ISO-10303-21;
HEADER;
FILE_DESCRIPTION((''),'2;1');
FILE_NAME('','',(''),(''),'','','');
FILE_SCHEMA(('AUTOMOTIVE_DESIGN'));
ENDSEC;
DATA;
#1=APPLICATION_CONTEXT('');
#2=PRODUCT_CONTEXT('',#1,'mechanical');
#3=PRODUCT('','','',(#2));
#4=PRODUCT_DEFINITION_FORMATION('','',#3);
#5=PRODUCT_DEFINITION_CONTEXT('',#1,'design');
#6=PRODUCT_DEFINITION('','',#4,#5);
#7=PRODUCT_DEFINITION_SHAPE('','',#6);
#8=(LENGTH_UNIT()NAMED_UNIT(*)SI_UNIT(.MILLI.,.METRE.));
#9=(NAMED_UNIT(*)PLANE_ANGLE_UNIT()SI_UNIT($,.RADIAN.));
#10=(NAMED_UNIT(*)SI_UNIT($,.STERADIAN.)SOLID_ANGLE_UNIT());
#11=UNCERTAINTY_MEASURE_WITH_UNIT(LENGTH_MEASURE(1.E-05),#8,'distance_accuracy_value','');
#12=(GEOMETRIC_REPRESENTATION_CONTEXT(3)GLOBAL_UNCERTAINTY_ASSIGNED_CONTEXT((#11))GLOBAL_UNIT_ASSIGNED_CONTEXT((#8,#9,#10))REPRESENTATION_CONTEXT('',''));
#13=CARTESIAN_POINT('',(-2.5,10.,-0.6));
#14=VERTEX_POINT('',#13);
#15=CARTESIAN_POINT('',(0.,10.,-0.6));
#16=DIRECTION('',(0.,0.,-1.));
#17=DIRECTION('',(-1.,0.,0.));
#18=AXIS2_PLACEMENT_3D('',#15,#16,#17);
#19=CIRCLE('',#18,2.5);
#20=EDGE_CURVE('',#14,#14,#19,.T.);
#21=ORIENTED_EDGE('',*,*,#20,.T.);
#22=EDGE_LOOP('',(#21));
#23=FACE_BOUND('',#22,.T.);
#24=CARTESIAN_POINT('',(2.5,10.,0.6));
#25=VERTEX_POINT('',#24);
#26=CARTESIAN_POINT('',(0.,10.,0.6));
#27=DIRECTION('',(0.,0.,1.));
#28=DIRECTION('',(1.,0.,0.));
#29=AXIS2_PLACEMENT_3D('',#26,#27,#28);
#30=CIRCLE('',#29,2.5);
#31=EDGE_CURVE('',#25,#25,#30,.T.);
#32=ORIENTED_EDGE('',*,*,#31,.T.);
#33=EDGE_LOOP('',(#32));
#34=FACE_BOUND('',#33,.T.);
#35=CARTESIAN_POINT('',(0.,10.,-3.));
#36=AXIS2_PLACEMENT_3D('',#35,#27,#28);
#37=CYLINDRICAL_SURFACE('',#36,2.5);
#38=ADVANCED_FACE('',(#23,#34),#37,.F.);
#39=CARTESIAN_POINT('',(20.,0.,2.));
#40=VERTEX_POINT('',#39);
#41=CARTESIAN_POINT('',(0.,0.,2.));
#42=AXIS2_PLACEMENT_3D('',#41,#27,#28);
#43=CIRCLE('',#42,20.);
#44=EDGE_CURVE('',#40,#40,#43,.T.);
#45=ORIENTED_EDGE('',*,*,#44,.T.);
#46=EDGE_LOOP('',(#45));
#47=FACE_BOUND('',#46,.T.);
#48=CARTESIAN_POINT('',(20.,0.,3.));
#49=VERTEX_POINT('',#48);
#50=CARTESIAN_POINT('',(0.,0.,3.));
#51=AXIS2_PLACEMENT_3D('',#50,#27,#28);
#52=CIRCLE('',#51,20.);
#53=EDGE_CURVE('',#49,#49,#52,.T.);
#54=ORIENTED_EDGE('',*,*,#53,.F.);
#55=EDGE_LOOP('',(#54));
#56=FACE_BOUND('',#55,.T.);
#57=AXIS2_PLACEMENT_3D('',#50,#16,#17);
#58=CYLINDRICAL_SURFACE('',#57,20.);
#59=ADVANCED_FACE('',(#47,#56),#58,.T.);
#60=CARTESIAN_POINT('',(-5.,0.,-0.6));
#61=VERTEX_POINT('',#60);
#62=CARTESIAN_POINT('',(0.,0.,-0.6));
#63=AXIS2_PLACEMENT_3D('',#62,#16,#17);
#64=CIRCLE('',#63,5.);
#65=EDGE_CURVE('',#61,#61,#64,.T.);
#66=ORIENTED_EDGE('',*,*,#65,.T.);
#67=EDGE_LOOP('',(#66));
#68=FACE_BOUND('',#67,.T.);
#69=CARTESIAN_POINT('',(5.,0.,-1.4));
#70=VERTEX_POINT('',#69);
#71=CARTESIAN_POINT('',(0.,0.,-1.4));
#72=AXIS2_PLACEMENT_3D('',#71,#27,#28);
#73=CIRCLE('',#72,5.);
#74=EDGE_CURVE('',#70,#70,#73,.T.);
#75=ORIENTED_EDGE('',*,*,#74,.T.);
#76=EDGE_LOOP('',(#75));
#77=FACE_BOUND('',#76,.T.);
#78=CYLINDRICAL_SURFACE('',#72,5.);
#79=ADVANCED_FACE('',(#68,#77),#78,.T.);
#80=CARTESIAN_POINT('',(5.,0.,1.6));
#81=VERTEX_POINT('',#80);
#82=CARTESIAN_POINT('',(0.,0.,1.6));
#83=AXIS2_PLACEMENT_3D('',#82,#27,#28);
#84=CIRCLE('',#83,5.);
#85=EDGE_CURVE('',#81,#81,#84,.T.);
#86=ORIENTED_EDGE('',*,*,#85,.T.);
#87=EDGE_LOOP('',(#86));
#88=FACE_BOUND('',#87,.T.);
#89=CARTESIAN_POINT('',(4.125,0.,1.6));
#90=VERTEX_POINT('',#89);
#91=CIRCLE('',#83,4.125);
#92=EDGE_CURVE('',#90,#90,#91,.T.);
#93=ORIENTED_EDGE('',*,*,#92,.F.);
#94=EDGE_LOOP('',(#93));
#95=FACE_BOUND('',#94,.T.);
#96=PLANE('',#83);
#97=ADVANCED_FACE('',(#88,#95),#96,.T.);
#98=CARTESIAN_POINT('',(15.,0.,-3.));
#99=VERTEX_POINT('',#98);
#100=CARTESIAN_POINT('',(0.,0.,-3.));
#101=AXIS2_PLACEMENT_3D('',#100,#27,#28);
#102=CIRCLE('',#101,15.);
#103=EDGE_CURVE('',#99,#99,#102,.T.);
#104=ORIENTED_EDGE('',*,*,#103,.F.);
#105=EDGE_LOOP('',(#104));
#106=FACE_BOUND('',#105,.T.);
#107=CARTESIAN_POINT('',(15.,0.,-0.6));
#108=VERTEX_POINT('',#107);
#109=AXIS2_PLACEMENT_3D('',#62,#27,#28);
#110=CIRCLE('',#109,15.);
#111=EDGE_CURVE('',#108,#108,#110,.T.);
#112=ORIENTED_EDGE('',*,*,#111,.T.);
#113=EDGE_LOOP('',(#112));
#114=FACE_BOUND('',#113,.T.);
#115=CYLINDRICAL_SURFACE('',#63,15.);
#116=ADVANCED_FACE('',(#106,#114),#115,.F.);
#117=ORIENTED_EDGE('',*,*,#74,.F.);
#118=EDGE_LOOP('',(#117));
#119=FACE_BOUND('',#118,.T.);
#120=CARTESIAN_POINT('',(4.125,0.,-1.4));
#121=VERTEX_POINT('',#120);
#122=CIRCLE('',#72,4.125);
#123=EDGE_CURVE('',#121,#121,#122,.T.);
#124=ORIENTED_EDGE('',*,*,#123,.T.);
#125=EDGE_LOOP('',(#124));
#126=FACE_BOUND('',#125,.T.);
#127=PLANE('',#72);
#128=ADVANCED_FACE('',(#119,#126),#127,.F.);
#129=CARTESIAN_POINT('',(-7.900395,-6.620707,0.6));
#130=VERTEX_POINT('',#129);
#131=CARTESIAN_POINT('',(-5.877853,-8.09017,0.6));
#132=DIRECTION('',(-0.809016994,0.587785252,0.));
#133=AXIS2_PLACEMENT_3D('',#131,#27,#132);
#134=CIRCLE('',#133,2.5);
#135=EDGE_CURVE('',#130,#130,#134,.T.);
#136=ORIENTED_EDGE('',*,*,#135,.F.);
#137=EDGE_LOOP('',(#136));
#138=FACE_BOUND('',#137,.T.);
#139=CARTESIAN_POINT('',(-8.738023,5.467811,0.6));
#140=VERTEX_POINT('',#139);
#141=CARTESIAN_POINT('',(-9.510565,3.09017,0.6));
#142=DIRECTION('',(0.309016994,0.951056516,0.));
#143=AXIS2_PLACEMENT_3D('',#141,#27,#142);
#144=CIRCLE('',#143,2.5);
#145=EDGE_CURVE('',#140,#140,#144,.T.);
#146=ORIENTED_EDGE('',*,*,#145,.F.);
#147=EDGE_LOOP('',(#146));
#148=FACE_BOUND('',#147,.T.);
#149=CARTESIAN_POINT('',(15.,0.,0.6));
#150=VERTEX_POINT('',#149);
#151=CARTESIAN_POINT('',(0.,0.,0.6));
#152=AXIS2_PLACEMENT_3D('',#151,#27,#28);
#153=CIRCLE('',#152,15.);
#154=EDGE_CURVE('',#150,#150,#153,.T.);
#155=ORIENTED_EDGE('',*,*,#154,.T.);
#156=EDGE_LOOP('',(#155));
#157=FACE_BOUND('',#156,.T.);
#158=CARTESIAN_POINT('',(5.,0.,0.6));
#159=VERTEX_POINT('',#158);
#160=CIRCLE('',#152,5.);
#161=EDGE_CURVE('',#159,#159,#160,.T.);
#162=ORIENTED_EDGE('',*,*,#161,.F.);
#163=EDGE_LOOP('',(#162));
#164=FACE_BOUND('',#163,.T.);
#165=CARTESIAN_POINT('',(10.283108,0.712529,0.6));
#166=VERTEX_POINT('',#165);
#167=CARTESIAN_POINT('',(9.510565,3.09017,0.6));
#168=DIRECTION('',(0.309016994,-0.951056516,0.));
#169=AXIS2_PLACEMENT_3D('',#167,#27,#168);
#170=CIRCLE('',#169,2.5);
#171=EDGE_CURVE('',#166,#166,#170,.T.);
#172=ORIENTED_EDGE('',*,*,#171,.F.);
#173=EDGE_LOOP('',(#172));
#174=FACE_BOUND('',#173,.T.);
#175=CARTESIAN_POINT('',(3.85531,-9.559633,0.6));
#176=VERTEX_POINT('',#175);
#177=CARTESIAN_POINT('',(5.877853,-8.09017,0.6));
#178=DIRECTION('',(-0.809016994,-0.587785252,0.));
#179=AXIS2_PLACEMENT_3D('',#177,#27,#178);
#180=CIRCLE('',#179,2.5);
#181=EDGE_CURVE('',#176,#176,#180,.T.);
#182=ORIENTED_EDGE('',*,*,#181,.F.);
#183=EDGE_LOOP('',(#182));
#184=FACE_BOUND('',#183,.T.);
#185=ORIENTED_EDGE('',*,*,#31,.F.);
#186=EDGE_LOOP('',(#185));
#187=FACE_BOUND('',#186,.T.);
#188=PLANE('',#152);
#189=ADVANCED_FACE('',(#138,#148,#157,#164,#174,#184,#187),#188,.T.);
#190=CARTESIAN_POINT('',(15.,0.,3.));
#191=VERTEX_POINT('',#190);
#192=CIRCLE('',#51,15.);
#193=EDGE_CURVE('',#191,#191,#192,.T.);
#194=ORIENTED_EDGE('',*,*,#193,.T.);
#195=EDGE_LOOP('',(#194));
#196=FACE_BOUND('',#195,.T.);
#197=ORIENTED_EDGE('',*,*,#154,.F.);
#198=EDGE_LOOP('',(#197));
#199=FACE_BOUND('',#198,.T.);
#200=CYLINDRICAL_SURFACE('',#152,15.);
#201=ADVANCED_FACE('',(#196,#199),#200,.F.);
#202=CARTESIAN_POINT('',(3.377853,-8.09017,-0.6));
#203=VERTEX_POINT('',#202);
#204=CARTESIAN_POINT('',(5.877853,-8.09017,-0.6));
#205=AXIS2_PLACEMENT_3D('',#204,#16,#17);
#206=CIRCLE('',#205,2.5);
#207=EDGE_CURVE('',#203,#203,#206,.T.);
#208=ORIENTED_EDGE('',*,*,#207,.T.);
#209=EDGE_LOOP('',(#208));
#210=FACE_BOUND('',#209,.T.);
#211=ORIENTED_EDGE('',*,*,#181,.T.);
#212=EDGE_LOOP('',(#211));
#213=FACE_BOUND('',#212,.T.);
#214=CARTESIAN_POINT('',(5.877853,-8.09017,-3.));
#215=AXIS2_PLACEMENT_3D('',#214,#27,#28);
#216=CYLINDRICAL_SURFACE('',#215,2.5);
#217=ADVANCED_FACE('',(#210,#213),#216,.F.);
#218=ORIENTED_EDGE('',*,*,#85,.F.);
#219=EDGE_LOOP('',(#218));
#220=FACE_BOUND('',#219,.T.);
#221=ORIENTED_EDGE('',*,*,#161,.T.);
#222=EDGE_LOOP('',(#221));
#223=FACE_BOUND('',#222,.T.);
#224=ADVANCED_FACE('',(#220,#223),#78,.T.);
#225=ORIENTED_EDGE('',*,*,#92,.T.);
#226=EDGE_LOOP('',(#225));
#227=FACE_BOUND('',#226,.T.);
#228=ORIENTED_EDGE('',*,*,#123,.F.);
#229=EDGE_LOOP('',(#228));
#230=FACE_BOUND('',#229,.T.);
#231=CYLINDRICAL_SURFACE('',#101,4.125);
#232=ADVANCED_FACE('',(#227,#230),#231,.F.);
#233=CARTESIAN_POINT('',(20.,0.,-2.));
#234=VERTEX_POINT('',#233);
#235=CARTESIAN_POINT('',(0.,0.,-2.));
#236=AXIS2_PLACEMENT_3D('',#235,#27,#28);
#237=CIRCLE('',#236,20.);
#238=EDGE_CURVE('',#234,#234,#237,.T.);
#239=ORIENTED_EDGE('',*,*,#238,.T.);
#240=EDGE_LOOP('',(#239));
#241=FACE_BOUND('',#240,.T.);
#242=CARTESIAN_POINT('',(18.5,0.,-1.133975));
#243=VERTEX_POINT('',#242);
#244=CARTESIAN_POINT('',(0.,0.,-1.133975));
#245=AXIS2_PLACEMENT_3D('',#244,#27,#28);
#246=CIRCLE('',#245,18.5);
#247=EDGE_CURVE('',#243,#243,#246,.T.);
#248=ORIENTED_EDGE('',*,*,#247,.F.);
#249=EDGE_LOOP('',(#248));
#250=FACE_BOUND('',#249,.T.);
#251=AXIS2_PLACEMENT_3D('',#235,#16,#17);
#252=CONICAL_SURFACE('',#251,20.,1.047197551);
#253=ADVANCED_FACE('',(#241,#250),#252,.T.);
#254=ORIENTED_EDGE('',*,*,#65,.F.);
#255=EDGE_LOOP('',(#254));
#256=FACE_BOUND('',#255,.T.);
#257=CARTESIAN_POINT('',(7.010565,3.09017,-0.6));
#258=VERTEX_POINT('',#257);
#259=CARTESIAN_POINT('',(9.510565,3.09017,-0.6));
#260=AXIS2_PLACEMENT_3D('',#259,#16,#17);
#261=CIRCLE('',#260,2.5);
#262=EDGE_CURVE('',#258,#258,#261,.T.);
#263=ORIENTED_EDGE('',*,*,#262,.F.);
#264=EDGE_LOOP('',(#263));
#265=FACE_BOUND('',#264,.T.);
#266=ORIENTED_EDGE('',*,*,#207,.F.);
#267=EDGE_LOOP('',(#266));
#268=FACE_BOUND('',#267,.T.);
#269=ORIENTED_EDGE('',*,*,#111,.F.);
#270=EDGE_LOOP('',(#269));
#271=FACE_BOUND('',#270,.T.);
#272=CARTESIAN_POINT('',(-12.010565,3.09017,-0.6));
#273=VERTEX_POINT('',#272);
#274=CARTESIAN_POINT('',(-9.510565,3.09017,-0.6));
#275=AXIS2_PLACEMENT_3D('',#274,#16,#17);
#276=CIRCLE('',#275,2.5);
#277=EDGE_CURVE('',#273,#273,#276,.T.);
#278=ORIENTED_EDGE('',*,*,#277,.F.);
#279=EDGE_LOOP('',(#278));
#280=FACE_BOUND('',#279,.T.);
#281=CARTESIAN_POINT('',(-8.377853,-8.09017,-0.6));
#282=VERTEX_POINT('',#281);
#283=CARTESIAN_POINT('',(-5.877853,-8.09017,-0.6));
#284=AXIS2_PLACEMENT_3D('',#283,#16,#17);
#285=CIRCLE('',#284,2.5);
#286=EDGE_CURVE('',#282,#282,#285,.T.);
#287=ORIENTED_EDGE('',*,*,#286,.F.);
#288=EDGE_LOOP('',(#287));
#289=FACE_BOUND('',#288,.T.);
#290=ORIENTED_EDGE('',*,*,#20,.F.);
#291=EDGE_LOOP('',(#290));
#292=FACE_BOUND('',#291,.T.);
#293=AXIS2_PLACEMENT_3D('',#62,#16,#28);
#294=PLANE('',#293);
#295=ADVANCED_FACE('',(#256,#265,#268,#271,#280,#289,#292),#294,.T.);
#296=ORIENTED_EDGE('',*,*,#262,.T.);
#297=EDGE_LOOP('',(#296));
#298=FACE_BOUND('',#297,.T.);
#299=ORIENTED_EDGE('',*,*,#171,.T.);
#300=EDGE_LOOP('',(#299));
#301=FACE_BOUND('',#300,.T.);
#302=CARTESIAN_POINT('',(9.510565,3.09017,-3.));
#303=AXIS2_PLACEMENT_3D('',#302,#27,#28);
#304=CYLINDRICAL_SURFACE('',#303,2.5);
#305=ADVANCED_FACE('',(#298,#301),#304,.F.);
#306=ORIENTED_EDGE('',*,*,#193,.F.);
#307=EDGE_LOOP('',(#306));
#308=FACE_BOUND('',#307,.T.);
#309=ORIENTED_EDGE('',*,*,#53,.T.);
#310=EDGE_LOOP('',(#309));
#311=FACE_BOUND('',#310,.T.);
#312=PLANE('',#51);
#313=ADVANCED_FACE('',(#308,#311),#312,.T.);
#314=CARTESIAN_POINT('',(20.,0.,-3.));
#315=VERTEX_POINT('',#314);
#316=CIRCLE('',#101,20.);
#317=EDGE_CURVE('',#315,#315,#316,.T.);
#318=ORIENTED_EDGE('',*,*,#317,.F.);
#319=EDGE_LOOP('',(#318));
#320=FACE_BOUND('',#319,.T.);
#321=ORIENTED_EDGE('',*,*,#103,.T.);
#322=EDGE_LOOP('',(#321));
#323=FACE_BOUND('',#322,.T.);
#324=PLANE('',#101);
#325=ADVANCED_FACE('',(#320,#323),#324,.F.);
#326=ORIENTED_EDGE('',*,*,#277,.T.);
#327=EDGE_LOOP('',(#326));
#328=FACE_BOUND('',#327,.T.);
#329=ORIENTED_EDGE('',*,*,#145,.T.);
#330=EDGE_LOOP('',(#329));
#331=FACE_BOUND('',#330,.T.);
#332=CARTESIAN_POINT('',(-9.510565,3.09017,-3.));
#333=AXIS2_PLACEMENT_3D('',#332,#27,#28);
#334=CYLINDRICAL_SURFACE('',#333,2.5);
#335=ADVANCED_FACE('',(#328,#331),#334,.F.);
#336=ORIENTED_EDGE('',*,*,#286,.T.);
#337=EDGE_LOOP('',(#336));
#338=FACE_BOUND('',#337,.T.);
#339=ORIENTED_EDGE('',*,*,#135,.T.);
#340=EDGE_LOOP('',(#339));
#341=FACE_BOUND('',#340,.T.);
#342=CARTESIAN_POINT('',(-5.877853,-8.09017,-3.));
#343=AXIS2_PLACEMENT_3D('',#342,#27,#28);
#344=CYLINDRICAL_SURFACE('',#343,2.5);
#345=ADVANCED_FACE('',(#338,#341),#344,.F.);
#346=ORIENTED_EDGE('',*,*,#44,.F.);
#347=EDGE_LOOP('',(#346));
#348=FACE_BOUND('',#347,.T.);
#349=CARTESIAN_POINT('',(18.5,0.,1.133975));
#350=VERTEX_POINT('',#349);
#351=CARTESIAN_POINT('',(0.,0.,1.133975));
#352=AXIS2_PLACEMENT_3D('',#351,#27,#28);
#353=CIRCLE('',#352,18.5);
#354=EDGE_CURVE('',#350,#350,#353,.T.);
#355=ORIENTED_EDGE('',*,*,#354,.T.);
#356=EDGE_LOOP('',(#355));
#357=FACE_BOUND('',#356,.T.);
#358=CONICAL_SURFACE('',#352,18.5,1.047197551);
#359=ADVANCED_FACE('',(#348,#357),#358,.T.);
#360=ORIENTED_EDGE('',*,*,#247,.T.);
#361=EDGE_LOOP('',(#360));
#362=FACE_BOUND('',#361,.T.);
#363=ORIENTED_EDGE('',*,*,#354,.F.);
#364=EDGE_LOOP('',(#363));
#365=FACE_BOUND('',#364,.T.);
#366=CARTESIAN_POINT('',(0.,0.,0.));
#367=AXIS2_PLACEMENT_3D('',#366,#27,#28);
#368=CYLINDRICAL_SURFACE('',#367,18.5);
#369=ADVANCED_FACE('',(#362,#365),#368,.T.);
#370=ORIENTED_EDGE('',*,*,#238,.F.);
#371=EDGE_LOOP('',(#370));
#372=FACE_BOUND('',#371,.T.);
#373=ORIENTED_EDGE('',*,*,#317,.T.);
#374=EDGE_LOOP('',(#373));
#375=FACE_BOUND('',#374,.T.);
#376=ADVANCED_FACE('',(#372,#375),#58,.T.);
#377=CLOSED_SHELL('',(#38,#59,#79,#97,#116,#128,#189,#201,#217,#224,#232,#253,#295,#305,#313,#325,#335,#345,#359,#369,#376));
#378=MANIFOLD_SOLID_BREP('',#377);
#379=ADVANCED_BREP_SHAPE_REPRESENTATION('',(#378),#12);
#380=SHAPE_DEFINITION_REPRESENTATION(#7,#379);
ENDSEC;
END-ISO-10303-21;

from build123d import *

# Parameters (mm, degrees)
SKETCH1_R                = 20
SKETCH1_R_2              = 4
BOSS_EXTRUDE1_DEPTH      = 3
SKETCH3_R                = 15
CUT_EXTRUDE1_DEPTH       = 2.4
SKETCH4_R                = 2.5
CUT_EXTRUDE2_DEPTH       = 4.6
CIRPATTERN1_COUNT        = 5
SKETCH14_R               = 5
BOSS_EXTRUDE3_DEPTH      = 1
BOSS_EXTRUDE3_DEPTH_BACK = 2
SKETCH16_R               = 4.125
CUT_EXTRUDE3_DEPTH       = 5.6


with BuildPart() as part:
    # Sketch1 → Boss-Extrude1 (new body, symmetric)
    with BuildSketch(Plane.XY):
        Circle(SKETCH1_R)
        Circle(SKETCH1_R_2, mode=Mode.SUBTRACT)
    extrude(amount=BOSS_EXTRUDE1_DEPTH, both=True)

    # Sketch3 → Cut-Extrude1 (cut)
    with BuildSketch(Plane.XY.offset(3)):
        Circle(SKETCH3_R)
    cut_extrude1 = extrude(amount=-CUT_EXTRUDE1_DEPTH, mode=Mode.SUBTRACT)

    # Mirror1: Cut-Extrude1 across plane
    add(cut_extrude1.mirror(Plane.XY), mode=Mode.SUBTRACT)

    # Sketch4 → Cut-Extrude2 (cut, through all)
    with BuildSketch(Plane.XY.offset(0.6)):
        with Locations((0, 10)):
            Circle(SKETCH4_R)
    cut_extrude2 = extrude(amount=-CUT_EXTRUDE2_DEPTH, mode=Mode.SUBTRACT)

    # CirPattern1: Cut-Extrude2 ×5 about axis
    cirpattern1_axis = Axis((0, 0, 0), (0, 0, 1))
    for i in range(1, CIRPATTERN1_COUNT):
        add(cut_extrude2.rotate(cirpattern1_axis, i * 360 / CIRPATTERN1_COUNT), mode=Mode.SUBTRACT)

    # Sketch5 → Cut-Revolve1 (revolve, cut)
    with BuildSketch(Plane(origin=(0, 0, 0), x_dir=(1, 0, 0), z_dir=(0, 1, 0))):
        Polygon((20, 2), (18.5, 1.133974596), (18.5, -1.133974596), (20, -2), align=None)
    revolve(axis=Axis((0, 0, 0), (0, 0, -1)), mode=Mode.SUBTRACT)

    # Sketch14 → Boss-Extrude3 (add, two sides)
    with BuildSketch(Plane.XY.offset(0.6)) as boss_extrude3_sk:
        Circle(SKETCH14_R)
    extrude(amount=BOSS_EXTRUDE3_DEPTH)
    extrude(boss_extrude3_sk.sketch, amount=-BOSS_EXTRUDE3_DEPTH_BACK)

    # Sketch16 → Cut-Extrude3 (cut, through all)
    with BuildSketch(Plane.XY.offset(1.6)):
        Circle(SKETCH16_R)
    extrude(amount=-CUT_EXTRUDE3_DEPTH, mode=Mode.SUBTRACT)


solid = part.part
